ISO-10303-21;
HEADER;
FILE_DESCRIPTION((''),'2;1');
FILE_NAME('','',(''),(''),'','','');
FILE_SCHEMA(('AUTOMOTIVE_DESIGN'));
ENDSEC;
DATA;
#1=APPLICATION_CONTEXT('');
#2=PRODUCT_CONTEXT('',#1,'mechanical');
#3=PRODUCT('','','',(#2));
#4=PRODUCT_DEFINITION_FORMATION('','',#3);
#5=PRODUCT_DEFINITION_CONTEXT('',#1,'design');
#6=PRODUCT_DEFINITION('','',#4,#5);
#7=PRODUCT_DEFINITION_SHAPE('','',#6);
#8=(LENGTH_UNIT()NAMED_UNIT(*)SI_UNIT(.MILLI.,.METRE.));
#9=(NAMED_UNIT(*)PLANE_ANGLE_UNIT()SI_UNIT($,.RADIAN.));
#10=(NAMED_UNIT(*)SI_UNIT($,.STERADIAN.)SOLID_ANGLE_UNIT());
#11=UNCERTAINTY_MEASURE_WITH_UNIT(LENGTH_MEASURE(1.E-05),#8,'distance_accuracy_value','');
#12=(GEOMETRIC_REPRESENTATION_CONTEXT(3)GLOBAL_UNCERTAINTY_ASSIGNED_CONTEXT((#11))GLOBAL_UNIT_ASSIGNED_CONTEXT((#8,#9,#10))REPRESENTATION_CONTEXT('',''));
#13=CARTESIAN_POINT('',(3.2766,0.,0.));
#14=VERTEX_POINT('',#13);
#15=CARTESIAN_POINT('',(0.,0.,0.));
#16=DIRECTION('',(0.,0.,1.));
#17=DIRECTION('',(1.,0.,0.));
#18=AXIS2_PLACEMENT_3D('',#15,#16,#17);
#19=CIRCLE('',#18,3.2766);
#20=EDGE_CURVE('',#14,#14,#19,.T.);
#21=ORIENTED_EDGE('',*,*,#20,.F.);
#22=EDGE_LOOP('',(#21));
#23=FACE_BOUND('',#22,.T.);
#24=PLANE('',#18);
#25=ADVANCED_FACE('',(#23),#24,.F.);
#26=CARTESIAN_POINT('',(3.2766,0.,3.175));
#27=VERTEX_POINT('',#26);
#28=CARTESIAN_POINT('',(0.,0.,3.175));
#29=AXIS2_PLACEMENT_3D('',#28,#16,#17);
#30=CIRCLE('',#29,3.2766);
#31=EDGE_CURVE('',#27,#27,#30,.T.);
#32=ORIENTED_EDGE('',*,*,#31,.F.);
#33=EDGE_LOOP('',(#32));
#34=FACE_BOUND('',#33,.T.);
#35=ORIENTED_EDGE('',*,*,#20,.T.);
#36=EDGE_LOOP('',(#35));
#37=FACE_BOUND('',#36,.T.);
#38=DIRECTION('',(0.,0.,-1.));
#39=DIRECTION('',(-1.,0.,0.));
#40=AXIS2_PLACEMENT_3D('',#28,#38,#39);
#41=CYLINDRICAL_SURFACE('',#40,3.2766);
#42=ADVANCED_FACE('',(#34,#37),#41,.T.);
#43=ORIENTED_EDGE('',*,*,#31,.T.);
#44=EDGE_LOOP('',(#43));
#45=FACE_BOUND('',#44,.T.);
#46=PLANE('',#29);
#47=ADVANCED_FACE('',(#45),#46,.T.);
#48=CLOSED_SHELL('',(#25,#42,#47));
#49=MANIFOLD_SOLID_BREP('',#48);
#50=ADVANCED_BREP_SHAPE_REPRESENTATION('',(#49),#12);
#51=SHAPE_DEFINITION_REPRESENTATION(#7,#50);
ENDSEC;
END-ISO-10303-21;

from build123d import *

# Parameters (mm, degrees)
SKETCH1_R           = 3.2766
BOSS_EXTRUDE1_DEPTH = 3.175


with BuildPart() as part:
    # Sketch1 → Boss-Extrude1 (new body)
    with BuildSketch(Plane.XY):
        Circle(SKETCH1_R)
    extrude(amount=BOSS_EXTRUDE1_DEPTH)


solid = part.part
